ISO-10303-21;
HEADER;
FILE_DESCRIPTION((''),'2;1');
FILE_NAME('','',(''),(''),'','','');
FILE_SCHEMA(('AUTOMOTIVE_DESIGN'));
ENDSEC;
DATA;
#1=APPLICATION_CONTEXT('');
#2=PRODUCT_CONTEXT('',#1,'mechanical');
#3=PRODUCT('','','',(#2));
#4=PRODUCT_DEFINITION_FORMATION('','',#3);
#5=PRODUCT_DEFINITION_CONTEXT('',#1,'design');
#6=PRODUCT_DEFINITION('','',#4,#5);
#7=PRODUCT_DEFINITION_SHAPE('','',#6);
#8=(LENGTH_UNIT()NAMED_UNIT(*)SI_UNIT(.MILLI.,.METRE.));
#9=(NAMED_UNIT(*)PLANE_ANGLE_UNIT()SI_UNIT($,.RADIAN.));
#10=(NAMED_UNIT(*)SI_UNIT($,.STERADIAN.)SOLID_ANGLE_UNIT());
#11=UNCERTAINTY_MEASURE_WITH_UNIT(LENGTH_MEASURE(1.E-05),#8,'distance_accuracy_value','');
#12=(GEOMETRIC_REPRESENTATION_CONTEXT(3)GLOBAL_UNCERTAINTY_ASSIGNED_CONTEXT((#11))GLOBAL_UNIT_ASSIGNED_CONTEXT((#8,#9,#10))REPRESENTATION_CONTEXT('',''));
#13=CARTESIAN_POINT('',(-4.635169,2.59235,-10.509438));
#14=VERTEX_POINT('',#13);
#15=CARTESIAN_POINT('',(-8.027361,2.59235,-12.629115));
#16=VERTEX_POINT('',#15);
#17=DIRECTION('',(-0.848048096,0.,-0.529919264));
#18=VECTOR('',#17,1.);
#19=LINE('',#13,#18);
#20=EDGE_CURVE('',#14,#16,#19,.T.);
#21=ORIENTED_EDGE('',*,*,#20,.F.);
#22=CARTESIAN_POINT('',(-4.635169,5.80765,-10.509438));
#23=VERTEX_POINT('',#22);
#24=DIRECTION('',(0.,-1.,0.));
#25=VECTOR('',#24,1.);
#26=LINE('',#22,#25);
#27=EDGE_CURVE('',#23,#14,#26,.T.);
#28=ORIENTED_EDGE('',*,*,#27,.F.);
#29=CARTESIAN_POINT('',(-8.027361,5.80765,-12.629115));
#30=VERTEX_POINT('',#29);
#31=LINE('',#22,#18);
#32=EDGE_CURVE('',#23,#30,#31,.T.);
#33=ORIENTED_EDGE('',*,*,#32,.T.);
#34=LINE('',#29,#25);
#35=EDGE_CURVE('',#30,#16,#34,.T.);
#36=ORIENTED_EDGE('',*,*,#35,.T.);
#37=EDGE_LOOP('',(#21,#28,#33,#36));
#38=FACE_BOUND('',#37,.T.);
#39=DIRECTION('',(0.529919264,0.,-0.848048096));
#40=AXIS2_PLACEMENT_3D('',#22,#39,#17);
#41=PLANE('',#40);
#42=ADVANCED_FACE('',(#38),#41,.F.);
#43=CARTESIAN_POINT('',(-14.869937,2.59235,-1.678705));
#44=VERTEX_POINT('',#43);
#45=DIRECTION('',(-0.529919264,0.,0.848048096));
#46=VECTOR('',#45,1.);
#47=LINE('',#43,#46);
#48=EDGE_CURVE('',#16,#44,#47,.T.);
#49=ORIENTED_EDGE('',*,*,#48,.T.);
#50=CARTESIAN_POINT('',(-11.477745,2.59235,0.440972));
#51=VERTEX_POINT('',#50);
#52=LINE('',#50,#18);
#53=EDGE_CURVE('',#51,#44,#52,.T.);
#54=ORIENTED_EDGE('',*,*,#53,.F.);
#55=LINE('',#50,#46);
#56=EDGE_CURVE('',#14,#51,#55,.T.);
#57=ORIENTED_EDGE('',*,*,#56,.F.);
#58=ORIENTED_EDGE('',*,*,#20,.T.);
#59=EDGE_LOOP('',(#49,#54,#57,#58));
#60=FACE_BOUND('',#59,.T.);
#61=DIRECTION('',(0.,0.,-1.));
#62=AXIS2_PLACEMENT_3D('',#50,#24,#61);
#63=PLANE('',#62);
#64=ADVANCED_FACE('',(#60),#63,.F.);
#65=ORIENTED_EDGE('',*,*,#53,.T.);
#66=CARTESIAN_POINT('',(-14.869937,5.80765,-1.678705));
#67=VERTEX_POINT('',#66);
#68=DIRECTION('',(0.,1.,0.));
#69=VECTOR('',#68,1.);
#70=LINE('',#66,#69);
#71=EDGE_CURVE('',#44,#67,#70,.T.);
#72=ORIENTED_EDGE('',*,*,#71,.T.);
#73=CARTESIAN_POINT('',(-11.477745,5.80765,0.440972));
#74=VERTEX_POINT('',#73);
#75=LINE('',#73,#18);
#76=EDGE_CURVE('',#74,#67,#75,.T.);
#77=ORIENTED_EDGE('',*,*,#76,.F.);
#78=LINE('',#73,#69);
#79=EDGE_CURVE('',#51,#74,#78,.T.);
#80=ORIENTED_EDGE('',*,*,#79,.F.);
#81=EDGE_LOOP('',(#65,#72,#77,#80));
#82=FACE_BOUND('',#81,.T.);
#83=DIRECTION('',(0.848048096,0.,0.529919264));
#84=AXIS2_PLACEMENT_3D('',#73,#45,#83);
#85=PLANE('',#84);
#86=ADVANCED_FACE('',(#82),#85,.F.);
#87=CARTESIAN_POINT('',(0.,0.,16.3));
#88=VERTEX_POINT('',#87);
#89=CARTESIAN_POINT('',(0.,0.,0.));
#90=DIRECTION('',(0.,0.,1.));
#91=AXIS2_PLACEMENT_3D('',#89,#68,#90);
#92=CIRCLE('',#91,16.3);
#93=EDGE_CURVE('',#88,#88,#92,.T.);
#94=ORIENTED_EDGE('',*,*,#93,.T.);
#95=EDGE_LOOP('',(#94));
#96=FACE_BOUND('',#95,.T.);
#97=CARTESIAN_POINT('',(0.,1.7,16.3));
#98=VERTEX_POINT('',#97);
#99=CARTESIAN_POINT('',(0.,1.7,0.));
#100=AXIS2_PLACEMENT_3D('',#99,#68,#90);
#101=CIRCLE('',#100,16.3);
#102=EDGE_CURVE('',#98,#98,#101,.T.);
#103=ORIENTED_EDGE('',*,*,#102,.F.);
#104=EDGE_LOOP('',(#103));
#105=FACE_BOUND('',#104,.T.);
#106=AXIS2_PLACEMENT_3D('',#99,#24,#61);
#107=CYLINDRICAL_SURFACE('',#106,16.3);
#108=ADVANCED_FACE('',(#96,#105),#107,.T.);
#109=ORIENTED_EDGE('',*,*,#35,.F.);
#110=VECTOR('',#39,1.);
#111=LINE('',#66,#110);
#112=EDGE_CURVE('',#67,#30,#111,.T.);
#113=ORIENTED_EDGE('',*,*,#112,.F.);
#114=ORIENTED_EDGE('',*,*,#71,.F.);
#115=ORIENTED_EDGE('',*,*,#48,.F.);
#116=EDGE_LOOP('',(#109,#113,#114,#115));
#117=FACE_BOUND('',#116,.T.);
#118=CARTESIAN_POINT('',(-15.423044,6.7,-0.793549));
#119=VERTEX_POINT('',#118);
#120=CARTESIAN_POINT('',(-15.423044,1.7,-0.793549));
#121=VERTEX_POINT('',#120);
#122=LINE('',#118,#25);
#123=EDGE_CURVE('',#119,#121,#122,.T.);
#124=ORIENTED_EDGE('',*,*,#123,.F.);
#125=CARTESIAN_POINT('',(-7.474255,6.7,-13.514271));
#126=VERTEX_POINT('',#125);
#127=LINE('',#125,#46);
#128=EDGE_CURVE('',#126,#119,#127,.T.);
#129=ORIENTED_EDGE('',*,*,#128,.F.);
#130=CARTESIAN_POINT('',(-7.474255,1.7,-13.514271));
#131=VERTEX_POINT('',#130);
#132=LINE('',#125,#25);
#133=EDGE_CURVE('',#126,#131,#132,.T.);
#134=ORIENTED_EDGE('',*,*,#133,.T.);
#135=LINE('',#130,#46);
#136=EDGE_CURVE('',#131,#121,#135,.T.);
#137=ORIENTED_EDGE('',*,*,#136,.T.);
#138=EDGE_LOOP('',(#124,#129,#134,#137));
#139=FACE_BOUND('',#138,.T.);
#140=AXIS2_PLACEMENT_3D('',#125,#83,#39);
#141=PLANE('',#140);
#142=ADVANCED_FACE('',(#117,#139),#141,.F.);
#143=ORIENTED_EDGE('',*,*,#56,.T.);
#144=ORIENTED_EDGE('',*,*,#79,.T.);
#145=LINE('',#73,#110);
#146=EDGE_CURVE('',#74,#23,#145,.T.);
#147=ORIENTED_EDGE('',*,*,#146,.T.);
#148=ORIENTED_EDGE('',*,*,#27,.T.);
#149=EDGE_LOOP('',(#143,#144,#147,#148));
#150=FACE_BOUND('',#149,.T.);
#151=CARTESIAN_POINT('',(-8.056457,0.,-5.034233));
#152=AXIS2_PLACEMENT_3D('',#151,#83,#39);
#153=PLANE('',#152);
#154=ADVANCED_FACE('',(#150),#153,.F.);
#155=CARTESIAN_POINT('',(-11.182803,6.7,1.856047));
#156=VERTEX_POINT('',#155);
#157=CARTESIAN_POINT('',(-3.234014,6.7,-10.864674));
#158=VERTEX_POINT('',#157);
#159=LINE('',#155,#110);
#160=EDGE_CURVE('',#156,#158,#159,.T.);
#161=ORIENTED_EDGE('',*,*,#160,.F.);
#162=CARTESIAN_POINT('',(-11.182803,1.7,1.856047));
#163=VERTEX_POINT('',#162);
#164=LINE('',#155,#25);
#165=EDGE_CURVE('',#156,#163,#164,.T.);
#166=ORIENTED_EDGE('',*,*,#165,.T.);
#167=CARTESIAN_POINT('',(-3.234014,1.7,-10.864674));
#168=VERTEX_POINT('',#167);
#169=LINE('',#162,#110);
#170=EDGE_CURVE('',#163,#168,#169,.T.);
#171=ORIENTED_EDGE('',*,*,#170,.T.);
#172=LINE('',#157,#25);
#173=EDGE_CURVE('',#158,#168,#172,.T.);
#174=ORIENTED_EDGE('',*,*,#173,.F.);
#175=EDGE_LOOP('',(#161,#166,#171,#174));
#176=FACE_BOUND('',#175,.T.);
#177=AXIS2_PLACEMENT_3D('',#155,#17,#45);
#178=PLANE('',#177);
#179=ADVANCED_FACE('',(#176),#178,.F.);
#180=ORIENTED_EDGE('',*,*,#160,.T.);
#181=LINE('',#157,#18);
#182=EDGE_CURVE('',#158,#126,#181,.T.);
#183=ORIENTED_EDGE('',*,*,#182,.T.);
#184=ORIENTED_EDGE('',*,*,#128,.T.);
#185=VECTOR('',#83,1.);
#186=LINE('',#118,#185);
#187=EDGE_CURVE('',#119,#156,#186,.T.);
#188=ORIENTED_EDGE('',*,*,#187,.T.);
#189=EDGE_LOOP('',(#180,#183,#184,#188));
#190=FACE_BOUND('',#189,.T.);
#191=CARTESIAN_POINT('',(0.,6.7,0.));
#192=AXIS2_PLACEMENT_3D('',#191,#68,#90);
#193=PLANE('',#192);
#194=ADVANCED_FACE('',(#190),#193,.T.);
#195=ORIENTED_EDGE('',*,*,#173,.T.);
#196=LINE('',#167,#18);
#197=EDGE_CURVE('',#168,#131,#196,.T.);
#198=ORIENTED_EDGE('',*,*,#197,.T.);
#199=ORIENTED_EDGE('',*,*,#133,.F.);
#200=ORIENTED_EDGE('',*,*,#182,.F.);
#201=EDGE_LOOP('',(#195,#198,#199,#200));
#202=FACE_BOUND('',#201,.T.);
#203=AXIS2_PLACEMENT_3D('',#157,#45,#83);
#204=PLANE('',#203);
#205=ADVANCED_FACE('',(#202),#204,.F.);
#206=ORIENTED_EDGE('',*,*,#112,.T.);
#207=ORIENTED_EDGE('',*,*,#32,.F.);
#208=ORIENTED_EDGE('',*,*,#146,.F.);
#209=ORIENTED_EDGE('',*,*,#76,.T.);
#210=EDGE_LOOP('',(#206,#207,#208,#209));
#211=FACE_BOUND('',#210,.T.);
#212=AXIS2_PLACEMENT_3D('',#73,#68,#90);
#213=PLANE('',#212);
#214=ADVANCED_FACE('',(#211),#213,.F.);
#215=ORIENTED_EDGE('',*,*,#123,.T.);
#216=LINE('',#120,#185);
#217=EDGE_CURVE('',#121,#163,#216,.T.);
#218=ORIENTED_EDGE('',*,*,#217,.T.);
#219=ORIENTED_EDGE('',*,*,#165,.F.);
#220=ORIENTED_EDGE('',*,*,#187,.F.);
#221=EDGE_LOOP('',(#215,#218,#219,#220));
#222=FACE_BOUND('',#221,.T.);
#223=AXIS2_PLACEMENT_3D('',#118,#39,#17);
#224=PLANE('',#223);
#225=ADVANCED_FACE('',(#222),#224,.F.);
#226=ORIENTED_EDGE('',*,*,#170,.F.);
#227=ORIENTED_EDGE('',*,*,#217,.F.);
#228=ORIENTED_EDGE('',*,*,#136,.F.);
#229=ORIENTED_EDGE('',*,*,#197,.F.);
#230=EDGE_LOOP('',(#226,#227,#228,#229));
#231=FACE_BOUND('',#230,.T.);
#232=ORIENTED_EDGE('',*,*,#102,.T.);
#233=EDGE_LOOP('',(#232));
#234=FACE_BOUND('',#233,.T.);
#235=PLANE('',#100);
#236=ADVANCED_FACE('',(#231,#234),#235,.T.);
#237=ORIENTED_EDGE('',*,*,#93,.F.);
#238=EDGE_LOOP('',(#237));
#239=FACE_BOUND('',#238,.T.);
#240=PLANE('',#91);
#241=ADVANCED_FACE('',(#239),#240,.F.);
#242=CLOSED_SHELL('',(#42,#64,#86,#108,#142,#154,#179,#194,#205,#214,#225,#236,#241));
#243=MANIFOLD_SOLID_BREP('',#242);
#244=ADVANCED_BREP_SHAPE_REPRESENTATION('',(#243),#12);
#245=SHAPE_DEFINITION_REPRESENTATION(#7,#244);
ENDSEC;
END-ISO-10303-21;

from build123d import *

# Parameters (mm, degrees)
SKETCH1_R           = 16.3
BOSS_EXTRUDE1_DEPTH = 1.7
BOSS_EXTRUDE2_DEPTH = 5
SKETCH3_W           = 12.912487974
SKETCH3_H           = 3.215299838
CUT_EXTRUDE1_DEPTH  = 4


with BuildPart() as part:
    # Sketch1 → Boss-Extrude1 (new body)
    with BuildSketch(Plane(origin=(0, 0, 0), x_dir=(1, 0, 0), z_dir=(0, 1, 0))):
        with Locations(Location((0, 0, 0), (0, 0, 270))):
            Circle(SKETCH1_R)
    extrude(amount=BOSS_EXTRUDE1_DEPTH)

    # Sketch2 → Boss-Extrude2 (add)
    with BuildSketch(Plane(origin=(0, 1.7, 0), x_dir=(1, 0, 0), z_dir=(0, 1, 0))):
        Polygon((-7.474254816, 13.514270788), (-15.42304378, 0.793549346), (-11.182803299, -1.856046975), (-3.234014336, 10.864674467), align=None)
    extrude(amount=BOSS_EXTRUDE2_DEPTH)

    # Sketch3 → Cut-Extrude1 (cut)
    with BuildSketch(Plane(origin=(-11.448649298, 0, -7.153910067), x_dir=(-0.5299192642332052, 0, 0.8480480961564258), z_dir=(-0.8480480961564258, 0, -0.5299192642332052))):
        with Locations((0, 4.2)):
            Rectangle(SKETCH3_W, SKETCH3_H)
    extrude(amount=-CUT_EXTRUDE1_DEPTH, mode=Mode.SUBTRACT)


solid = part.part
